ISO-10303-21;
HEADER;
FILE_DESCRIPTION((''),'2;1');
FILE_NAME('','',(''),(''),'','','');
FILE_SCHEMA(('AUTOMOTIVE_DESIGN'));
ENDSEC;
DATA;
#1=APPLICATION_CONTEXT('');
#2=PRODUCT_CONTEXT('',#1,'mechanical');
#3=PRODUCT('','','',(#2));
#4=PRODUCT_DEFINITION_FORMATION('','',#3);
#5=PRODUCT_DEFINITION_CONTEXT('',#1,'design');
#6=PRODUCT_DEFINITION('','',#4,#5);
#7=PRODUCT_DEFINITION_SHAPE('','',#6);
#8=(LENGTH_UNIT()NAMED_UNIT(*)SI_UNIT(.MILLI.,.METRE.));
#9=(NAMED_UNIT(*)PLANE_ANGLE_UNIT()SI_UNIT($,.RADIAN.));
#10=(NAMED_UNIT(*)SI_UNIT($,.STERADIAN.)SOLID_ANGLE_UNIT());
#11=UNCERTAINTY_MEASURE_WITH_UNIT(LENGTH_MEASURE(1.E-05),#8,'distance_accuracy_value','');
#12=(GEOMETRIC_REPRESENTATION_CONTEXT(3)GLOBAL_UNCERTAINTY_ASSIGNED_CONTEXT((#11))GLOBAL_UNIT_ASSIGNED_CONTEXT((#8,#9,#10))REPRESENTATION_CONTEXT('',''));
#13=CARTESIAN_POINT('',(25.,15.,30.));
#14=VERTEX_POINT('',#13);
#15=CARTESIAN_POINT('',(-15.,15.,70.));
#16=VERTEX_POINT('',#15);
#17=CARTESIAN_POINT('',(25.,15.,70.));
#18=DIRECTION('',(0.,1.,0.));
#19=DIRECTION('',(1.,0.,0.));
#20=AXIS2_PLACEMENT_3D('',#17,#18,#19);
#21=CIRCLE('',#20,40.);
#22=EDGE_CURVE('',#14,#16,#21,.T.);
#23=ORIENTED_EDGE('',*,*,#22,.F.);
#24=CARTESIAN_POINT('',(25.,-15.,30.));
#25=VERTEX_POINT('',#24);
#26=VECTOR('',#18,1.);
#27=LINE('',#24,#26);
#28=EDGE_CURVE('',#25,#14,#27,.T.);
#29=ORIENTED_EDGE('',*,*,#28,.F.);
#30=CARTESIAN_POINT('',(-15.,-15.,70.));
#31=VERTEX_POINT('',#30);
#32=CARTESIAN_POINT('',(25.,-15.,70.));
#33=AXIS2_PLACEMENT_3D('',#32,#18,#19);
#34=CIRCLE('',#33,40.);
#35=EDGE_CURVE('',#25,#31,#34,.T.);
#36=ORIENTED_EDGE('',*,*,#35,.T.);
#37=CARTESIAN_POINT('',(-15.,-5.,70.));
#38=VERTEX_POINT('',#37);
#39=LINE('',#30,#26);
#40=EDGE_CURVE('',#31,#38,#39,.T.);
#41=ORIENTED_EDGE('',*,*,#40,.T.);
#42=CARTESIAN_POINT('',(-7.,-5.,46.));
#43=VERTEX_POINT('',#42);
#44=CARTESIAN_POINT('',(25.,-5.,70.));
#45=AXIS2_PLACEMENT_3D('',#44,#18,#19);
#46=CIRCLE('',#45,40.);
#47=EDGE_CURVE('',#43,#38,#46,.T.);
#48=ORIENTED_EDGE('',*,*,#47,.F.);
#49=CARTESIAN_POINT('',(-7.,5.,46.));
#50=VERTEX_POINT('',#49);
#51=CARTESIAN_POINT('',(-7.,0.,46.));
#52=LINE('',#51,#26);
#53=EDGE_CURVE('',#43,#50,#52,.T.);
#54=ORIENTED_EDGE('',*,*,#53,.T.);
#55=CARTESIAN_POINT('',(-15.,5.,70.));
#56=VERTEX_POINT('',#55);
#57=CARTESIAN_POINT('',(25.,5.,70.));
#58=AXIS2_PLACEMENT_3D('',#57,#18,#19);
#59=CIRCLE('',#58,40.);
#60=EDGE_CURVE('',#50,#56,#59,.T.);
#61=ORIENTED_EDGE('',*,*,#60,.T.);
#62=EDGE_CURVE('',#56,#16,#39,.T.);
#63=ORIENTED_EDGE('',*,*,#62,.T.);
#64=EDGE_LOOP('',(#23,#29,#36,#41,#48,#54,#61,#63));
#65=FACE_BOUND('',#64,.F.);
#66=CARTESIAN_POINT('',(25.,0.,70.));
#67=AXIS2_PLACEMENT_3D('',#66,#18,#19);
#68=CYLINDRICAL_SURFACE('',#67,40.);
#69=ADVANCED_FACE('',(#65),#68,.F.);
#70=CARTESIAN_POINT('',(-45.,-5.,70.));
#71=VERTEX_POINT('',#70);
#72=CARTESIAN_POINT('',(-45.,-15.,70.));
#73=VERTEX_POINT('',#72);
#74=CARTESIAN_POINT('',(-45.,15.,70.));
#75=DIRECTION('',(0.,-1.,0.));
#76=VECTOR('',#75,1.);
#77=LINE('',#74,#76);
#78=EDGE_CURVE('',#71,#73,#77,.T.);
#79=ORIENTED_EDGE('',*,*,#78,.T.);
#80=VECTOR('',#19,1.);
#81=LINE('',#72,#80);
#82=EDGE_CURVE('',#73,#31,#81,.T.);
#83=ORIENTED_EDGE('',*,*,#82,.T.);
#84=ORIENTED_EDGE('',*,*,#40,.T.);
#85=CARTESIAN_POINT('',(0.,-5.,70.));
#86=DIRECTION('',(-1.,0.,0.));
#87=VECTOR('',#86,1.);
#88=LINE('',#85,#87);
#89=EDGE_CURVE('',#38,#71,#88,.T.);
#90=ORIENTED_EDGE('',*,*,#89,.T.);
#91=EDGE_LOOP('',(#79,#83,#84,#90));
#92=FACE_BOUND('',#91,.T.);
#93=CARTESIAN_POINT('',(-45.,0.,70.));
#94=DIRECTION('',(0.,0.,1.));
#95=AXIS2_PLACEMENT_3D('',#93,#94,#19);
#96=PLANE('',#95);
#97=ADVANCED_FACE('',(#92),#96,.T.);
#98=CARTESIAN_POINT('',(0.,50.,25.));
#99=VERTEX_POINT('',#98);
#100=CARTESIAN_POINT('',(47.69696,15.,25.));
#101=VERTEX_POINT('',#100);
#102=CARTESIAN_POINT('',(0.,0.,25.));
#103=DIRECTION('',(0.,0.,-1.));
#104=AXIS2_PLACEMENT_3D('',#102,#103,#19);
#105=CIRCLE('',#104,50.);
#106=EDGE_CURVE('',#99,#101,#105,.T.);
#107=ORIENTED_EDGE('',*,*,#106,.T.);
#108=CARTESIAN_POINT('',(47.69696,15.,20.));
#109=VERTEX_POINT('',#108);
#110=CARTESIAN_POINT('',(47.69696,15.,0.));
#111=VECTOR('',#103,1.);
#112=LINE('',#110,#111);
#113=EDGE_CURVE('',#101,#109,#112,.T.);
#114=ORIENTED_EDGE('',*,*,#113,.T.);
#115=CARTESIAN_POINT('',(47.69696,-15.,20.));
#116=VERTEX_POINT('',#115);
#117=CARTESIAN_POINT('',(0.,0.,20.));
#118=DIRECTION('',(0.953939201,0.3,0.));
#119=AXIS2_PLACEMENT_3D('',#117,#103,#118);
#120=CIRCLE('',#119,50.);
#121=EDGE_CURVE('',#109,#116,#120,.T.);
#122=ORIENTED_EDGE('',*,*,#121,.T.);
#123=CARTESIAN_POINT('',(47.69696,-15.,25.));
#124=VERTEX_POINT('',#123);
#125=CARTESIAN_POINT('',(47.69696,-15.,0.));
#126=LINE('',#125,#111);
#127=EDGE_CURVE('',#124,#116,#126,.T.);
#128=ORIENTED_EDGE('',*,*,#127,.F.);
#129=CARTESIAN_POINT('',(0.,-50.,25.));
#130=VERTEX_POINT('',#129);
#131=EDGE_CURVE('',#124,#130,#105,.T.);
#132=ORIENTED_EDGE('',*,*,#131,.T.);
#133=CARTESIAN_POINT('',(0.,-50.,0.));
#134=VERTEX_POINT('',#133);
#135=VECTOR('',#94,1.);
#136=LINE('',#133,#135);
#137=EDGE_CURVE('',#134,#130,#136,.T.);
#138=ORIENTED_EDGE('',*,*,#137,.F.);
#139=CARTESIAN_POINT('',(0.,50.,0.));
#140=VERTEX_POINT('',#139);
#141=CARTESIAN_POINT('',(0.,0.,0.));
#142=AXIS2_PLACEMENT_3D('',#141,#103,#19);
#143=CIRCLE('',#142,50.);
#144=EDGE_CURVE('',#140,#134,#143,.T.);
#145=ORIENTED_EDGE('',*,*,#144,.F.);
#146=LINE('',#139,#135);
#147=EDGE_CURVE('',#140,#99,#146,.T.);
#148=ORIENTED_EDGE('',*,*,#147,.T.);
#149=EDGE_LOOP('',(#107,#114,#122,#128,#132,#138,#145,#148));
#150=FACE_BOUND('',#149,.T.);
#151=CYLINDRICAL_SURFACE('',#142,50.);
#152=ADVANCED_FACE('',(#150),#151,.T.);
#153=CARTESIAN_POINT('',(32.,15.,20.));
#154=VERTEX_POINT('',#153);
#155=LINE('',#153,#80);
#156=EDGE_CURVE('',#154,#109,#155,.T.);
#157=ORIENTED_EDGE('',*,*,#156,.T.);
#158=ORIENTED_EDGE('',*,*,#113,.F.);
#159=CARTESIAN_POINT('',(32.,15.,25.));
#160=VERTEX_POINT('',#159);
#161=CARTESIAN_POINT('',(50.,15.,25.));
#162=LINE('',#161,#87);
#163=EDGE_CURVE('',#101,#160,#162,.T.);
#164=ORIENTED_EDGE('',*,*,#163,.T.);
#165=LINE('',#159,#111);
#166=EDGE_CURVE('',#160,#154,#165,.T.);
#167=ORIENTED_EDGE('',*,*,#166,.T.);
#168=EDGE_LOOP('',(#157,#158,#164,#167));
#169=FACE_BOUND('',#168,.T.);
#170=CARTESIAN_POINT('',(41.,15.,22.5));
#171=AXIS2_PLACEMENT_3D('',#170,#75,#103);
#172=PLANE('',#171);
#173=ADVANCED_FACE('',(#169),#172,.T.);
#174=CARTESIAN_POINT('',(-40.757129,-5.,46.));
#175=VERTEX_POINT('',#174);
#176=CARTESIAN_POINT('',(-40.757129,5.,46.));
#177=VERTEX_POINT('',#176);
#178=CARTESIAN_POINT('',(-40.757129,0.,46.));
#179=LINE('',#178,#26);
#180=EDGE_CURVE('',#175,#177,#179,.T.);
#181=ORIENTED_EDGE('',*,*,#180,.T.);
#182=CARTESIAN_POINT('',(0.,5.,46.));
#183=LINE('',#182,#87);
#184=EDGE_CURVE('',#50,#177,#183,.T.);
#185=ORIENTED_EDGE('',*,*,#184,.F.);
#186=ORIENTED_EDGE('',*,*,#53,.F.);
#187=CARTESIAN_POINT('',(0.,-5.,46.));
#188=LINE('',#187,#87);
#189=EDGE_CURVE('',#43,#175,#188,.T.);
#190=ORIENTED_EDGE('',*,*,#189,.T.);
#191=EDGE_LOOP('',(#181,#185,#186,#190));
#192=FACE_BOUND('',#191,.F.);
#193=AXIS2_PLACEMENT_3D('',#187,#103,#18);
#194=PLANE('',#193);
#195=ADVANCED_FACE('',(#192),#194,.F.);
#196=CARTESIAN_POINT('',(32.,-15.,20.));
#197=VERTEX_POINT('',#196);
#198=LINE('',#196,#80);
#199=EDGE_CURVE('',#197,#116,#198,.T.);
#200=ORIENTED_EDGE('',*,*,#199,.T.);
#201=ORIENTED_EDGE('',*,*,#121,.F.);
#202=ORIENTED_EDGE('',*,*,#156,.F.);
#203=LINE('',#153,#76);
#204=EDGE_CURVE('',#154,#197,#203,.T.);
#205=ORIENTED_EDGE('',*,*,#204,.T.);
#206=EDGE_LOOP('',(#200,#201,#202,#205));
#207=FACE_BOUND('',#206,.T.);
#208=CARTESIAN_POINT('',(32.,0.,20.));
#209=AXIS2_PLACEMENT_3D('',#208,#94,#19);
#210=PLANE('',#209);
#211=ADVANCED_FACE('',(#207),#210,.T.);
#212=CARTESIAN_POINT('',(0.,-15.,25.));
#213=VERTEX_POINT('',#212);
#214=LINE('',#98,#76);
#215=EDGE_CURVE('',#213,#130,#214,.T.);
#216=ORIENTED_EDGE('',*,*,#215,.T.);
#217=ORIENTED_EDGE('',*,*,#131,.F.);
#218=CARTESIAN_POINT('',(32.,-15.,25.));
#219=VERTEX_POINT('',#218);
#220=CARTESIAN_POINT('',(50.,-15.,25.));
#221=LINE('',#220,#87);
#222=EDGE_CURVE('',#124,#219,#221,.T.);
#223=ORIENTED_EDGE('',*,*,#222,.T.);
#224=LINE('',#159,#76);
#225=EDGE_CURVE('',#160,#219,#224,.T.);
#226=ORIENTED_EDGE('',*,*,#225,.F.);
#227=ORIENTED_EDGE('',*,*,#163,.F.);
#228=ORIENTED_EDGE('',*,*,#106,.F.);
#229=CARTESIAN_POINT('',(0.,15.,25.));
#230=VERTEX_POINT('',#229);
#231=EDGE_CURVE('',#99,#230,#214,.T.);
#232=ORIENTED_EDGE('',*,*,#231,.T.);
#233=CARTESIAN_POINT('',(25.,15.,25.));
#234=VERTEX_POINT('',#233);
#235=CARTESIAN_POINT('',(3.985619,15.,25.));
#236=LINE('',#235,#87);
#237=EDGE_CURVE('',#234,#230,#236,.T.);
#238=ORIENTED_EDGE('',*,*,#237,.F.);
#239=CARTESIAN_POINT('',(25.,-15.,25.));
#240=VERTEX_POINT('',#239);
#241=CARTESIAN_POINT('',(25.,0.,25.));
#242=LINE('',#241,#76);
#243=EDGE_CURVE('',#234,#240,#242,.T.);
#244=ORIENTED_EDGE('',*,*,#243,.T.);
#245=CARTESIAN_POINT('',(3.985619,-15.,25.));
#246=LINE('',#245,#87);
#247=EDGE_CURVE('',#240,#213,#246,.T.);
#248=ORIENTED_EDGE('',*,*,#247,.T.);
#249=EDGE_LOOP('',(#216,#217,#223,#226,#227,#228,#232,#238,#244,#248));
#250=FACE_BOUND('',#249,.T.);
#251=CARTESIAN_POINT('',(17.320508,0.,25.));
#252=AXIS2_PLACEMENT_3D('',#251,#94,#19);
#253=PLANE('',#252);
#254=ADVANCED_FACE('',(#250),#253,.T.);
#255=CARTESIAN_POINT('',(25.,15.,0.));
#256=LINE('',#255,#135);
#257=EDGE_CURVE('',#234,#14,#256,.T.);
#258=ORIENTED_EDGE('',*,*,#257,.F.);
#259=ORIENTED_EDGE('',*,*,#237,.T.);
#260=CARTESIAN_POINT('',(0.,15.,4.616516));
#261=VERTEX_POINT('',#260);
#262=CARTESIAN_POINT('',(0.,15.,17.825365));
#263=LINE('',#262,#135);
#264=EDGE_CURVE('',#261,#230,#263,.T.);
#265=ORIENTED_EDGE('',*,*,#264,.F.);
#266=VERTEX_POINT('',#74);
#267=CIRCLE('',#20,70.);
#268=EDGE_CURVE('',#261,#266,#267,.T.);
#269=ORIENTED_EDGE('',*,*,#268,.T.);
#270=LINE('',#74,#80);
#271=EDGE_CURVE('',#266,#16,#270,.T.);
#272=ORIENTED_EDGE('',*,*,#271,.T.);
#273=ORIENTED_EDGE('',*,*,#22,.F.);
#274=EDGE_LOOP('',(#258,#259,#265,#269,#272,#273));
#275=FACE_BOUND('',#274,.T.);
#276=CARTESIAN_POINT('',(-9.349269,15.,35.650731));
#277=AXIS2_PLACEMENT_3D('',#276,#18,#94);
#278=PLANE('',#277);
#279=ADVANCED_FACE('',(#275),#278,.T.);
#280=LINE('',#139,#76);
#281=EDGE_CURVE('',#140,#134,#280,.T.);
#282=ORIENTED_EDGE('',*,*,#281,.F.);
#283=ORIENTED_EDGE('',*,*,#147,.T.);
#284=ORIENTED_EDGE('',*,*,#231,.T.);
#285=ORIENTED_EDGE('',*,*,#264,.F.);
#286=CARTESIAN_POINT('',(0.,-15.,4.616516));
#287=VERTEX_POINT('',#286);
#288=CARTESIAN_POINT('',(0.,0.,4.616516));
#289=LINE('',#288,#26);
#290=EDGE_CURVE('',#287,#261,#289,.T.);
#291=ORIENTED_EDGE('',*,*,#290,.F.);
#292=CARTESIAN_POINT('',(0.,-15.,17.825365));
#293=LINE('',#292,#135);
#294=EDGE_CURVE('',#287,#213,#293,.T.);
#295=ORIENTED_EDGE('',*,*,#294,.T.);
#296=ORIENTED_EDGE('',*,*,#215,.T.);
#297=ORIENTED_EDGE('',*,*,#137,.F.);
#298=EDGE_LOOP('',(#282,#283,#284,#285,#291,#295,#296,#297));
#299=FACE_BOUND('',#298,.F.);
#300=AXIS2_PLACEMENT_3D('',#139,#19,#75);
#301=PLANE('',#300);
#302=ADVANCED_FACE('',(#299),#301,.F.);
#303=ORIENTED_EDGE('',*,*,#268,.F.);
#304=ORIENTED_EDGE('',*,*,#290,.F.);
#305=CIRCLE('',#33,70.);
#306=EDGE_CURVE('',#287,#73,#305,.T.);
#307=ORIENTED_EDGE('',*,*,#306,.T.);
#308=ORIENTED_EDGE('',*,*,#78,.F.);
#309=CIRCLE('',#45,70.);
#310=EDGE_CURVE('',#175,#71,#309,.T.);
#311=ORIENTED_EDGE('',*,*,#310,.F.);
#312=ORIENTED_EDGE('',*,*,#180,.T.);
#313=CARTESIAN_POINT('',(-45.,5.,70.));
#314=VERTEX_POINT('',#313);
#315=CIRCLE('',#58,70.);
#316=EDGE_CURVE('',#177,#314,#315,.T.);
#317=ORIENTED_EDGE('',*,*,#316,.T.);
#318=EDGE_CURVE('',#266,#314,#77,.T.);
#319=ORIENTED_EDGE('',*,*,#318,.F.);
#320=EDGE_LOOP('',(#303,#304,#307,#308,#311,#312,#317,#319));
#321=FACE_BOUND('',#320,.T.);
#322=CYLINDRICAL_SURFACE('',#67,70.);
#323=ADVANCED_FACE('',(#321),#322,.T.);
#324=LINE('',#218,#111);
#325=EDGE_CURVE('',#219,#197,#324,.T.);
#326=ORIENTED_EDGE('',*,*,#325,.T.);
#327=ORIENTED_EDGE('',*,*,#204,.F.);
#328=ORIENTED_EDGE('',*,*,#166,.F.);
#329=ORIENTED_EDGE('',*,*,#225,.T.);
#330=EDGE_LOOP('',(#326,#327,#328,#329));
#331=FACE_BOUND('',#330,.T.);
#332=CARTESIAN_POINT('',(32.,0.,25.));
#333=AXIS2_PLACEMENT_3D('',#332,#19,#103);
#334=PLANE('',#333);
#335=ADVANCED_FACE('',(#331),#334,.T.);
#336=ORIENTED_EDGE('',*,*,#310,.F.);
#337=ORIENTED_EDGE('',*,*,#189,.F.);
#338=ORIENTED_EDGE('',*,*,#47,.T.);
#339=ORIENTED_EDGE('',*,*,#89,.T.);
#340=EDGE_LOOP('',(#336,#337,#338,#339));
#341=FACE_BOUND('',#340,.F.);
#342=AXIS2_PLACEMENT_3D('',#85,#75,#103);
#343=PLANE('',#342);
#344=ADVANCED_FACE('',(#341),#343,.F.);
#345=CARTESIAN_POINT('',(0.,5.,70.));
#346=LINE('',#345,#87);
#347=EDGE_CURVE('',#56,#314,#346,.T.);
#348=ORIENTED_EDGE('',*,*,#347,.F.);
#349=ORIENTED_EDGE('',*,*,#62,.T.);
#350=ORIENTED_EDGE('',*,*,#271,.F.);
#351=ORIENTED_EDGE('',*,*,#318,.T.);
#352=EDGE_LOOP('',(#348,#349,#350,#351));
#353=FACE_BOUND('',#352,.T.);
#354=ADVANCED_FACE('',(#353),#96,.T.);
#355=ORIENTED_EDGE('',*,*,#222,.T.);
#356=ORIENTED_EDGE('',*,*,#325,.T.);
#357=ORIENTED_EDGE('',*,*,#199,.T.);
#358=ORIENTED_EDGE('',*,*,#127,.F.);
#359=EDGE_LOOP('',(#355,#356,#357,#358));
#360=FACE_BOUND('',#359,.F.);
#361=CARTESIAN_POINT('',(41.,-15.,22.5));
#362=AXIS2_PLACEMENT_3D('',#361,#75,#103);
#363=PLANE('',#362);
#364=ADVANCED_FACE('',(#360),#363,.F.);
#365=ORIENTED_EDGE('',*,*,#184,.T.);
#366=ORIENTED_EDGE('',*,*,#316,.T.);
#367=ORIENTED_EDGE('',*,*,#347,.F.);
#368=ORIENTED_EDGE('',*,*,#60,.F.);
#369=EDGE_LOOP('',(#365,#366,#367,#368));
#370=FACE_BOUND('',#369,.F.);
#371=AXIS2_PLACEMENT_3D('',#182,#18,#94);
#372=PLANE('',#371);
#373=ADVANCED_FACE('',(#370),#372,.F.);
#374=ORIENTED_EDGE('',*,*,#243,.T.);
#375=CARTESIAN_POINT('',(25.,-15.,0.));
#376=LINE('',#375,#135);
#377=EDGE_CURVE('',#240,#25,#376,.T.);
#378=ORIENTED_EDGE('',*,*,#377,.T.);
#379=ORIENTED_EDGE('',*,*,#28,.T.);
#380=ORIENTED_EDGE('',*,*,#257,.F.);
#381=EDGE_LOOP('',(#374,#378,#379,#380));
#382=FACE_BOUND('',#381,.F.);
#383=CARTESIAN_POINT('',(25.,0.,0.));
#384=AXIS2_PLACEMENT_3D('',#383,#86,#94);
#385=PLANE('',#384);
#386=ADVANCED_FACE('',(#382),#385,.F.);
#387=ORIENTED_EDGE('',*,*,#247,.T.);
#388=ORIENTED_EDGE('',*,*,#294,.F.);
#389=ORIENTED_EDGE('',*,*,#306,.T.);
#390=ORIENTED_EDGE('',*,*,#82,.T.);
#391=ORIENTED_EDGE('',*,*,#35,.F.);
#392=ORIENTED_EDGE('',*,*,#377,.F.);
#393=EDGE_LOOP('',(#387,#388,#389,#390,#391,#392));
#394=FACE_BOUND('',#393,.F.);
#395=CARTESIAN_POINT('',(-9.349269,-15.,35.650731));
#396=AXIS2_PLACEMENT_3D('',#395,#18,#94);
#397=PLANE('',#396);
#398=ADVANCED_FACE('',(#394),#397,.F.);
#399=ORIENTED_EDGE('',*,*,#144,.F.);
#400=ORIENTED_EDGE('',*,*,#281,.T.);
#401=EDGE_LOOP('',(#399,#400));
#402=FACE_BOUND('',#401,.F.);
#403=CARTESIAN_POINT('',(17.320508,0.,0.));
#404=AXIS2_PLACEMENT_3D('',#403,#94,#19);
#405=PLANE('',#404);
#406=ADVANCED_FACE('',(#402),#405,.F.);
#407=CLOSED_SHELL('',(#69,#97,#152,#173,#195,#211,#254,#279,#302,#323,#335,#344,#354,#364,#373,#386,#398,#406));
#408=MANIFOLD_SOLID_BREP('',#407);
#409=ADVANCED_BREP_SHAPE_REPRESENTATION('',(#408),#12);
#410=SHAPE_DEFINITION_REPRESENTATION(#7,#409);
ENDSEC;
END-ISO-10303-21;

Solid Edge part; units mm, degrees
sketch "Sketch1" plane through (0, 0, 0) normal (0, 0, 1) x (1, 0, 0)
  line L0 (0, 50) -> (0, -50)
  arc A0 (0, 50) -> (0, -50) centre (0, 0) cw
extrude "Protrusion1" add sketch "Sketch1" along normal blind 25
sketch "Sketch2" plane through (0, 0, 0) normal (0, -1, 0) x (1, 0, 0)
  line L0 (-45, 70) -> (-15, 70)
  arc A0 (25, 30) -> (-15, 70) centre (25, 70) cw
  line L1 (25, 0) -> (25, 30)
  arc A1 (25, 0) -> (-45, 70) centre (25, 70) cw
extrude "ExtrudedProtrusion_2" add sketch "Sketch2" along normal mid plane 30
sketch "Sketch3" plane through (0, 0, 0) normal (1, 0, 0) x (0, 1, 0)
  line L0 (-5, 70) -> (-5, 46)
  line L1 (-5, 46) -> (5, 46)
  line L2 (5, 46) -> (5, 70)
extrude "Cutout1" cut sketch "Sketch3" against normal up to next material side at (0, -4.95, 58)
sketch "Sketch4" plane through (0, 0, 0) normal (0, -1, 0) x (1, 0, 0)
  line L0 (50, 25) -> (32, 25)
  line L1 (32, 25) -> (32, 20)
  line L2 (32, 20) -> (50, 20)
  line L3 (50, 20) -> (50, 25)
extrude "Cutout2" cut sketch "Sketch4" along normal mid plane 30
